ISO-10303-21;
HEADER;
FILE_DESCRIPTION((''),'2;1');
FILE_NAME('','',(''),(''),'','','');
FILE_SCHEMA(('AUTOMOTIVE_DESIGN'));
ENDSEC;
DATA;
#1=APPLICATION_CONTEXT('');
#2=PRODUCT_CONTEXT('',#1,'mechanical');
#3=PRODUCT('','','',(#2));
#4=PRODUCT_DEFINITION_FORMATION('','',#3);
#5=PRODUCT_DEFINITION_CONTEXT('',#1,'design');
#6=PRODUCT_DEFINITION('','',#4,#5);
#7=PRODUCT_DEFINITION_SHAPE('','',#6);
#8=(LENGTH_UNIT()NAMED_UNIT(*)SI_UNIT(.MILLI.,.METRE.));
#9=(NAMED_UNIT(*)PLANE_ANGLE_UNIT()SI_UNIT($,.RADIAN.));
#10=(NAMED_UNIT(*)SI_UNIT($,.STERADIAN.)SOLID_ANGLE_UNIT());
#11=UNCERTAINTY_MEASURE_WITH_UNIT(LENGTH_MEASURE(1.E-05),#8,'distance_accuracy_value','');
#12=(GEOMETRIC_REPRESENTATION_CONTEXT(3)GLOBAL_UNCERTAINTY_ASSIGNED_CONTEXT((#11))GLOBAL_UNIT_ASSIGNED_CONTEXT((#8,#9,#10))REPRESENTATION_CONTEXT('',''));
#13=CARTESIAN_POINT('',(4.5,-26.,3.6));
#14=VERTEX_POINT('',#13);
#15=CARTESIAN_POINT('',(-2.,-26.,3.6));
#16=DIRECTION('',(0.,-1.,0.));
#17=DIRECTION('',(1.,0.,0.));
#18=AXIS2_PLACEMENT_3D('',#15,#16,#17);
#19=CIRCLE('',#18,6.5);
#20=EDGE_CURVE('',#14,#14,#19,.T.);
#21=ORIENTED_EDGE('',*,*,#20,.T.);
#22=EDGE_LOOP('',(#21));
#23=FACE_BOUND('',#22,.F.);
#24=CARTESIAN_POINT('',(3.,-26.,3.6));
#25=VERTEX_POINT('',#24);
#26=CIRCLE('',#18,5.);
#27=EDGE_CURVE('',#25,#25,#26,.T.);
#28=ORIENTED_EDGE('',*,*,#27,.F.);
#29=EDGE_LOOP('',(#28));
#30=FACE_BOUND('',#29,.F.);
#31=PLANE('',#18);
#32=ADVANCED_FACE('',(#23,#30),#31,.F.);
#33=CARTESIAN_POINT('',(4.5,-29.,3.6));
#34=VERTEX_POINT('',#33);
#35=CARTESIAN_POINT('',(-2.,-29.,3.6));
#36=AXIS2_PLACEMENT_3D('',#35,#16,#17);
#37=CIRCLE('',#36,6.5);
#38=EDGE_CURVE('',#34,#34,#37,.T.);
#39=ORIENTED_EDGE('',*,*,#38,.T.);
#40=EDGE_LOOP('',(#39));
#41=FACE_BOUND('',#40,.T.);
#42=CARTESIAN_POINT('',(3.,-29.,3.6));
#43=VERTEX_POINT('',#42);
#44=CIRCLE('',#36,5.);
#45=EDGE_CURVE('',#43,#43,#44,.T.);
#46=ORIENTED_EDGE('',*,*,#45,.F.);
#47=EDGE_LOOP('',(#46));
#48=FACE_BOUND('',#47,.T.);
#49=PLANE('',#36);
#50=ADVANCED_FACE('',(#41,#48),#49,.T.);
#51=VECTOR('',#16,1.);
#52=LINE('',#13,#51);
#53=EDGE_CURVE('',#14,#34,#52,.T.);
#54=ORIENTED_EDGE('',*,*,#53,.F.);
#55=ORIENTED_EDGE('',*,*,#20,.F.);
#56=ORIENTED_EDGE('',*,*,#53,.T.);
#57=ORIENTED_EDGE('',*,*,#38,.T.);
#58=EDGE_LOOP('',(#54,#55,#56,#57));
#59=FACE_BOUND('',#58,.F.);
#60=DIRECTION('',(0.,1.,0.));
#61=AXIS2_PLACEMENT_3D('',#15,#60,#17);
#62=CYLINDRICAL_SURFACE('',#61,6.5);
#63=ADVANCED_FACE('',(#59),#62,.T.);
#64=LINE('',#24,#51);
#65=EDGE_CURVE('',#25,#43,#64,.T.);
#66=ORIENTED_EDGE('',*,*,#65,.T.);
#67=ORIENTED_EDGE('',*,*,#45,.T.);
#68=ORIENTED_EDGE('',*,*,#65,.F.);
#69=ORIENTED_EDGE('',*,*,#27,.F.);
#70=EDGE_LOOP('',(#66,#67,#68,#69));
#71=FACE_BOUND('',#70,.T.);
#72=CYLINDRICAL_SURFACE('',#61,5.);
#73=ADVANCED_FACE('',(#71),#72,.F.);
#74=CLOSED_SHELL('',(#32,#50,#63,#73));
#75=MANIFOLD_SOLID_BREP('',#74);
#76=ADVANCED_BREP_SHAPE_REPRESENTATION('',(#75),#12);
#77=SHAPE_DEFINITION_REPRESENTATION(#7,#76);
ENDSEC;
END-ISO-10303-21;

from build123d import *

# Parameters (mm, degrees)
CYLINDER007_R          = 5
CYLINDER007_DEPTH      = 3
CYLINDER007_ROLL_ANGLE = 90
CYLINDER008_R          = 6.5
CYLINDER008_DEPTH      = 3
CYLINDER008_ROLL_ANGLE = 90


with BuildPart() as cylinder007:
    # Cylinder007 → Cylinder007 (new body)
    with BuildSketch(Plane.XY):
        Circle(CYLINDER007_R)
    extrude(amount=CYLINDER007_DEPTH)


with BuildPart() as cylinder007_1:
    # Cylinder007 roll: moved
    add(cylinder007.part.rotate(Axis((0, 0, 0), (1, 0, 0)), CYLINDER007_ROLL_ANGLE))


with BuildPart() as cylinder007_2:
    # Cylinder007 placement: moved
    add(cylinder007_1.part.moved(Location((-5.4, 46, 0))))


with BuildPart() as cut002:
    # Cylinder008 → Cylinder008 (new body)
    with BuildSketch(Plane.XY):
        Circle(CYLINDER008_R)
    extrude(amount=CYLINDER008_DEPTH)


with BuildPart() as cut002_1:
    # Cylinder008 roll: moved
    add(cut002.part.rotate(Axis((0, 0, 0), (1, 0, 0)), CYLINDER008_ROLL_ANGLE))


with BuildPart() as cut002_2:
    # Cylinder008 placement: moved
    add(cut002_1.part.moved(Location((-5.4, 46, 0))))

    # Cut002: cut Cylinder007
    add(cylinder007_2.part, mode=Mode.SUBTRACT)


with BuildPart() as cut002_3:
    # Cut002 placement: moved
    add(cut002_2.part.moved(Location((3.4, -72, 3.6))))


solid = cut002_3.part
